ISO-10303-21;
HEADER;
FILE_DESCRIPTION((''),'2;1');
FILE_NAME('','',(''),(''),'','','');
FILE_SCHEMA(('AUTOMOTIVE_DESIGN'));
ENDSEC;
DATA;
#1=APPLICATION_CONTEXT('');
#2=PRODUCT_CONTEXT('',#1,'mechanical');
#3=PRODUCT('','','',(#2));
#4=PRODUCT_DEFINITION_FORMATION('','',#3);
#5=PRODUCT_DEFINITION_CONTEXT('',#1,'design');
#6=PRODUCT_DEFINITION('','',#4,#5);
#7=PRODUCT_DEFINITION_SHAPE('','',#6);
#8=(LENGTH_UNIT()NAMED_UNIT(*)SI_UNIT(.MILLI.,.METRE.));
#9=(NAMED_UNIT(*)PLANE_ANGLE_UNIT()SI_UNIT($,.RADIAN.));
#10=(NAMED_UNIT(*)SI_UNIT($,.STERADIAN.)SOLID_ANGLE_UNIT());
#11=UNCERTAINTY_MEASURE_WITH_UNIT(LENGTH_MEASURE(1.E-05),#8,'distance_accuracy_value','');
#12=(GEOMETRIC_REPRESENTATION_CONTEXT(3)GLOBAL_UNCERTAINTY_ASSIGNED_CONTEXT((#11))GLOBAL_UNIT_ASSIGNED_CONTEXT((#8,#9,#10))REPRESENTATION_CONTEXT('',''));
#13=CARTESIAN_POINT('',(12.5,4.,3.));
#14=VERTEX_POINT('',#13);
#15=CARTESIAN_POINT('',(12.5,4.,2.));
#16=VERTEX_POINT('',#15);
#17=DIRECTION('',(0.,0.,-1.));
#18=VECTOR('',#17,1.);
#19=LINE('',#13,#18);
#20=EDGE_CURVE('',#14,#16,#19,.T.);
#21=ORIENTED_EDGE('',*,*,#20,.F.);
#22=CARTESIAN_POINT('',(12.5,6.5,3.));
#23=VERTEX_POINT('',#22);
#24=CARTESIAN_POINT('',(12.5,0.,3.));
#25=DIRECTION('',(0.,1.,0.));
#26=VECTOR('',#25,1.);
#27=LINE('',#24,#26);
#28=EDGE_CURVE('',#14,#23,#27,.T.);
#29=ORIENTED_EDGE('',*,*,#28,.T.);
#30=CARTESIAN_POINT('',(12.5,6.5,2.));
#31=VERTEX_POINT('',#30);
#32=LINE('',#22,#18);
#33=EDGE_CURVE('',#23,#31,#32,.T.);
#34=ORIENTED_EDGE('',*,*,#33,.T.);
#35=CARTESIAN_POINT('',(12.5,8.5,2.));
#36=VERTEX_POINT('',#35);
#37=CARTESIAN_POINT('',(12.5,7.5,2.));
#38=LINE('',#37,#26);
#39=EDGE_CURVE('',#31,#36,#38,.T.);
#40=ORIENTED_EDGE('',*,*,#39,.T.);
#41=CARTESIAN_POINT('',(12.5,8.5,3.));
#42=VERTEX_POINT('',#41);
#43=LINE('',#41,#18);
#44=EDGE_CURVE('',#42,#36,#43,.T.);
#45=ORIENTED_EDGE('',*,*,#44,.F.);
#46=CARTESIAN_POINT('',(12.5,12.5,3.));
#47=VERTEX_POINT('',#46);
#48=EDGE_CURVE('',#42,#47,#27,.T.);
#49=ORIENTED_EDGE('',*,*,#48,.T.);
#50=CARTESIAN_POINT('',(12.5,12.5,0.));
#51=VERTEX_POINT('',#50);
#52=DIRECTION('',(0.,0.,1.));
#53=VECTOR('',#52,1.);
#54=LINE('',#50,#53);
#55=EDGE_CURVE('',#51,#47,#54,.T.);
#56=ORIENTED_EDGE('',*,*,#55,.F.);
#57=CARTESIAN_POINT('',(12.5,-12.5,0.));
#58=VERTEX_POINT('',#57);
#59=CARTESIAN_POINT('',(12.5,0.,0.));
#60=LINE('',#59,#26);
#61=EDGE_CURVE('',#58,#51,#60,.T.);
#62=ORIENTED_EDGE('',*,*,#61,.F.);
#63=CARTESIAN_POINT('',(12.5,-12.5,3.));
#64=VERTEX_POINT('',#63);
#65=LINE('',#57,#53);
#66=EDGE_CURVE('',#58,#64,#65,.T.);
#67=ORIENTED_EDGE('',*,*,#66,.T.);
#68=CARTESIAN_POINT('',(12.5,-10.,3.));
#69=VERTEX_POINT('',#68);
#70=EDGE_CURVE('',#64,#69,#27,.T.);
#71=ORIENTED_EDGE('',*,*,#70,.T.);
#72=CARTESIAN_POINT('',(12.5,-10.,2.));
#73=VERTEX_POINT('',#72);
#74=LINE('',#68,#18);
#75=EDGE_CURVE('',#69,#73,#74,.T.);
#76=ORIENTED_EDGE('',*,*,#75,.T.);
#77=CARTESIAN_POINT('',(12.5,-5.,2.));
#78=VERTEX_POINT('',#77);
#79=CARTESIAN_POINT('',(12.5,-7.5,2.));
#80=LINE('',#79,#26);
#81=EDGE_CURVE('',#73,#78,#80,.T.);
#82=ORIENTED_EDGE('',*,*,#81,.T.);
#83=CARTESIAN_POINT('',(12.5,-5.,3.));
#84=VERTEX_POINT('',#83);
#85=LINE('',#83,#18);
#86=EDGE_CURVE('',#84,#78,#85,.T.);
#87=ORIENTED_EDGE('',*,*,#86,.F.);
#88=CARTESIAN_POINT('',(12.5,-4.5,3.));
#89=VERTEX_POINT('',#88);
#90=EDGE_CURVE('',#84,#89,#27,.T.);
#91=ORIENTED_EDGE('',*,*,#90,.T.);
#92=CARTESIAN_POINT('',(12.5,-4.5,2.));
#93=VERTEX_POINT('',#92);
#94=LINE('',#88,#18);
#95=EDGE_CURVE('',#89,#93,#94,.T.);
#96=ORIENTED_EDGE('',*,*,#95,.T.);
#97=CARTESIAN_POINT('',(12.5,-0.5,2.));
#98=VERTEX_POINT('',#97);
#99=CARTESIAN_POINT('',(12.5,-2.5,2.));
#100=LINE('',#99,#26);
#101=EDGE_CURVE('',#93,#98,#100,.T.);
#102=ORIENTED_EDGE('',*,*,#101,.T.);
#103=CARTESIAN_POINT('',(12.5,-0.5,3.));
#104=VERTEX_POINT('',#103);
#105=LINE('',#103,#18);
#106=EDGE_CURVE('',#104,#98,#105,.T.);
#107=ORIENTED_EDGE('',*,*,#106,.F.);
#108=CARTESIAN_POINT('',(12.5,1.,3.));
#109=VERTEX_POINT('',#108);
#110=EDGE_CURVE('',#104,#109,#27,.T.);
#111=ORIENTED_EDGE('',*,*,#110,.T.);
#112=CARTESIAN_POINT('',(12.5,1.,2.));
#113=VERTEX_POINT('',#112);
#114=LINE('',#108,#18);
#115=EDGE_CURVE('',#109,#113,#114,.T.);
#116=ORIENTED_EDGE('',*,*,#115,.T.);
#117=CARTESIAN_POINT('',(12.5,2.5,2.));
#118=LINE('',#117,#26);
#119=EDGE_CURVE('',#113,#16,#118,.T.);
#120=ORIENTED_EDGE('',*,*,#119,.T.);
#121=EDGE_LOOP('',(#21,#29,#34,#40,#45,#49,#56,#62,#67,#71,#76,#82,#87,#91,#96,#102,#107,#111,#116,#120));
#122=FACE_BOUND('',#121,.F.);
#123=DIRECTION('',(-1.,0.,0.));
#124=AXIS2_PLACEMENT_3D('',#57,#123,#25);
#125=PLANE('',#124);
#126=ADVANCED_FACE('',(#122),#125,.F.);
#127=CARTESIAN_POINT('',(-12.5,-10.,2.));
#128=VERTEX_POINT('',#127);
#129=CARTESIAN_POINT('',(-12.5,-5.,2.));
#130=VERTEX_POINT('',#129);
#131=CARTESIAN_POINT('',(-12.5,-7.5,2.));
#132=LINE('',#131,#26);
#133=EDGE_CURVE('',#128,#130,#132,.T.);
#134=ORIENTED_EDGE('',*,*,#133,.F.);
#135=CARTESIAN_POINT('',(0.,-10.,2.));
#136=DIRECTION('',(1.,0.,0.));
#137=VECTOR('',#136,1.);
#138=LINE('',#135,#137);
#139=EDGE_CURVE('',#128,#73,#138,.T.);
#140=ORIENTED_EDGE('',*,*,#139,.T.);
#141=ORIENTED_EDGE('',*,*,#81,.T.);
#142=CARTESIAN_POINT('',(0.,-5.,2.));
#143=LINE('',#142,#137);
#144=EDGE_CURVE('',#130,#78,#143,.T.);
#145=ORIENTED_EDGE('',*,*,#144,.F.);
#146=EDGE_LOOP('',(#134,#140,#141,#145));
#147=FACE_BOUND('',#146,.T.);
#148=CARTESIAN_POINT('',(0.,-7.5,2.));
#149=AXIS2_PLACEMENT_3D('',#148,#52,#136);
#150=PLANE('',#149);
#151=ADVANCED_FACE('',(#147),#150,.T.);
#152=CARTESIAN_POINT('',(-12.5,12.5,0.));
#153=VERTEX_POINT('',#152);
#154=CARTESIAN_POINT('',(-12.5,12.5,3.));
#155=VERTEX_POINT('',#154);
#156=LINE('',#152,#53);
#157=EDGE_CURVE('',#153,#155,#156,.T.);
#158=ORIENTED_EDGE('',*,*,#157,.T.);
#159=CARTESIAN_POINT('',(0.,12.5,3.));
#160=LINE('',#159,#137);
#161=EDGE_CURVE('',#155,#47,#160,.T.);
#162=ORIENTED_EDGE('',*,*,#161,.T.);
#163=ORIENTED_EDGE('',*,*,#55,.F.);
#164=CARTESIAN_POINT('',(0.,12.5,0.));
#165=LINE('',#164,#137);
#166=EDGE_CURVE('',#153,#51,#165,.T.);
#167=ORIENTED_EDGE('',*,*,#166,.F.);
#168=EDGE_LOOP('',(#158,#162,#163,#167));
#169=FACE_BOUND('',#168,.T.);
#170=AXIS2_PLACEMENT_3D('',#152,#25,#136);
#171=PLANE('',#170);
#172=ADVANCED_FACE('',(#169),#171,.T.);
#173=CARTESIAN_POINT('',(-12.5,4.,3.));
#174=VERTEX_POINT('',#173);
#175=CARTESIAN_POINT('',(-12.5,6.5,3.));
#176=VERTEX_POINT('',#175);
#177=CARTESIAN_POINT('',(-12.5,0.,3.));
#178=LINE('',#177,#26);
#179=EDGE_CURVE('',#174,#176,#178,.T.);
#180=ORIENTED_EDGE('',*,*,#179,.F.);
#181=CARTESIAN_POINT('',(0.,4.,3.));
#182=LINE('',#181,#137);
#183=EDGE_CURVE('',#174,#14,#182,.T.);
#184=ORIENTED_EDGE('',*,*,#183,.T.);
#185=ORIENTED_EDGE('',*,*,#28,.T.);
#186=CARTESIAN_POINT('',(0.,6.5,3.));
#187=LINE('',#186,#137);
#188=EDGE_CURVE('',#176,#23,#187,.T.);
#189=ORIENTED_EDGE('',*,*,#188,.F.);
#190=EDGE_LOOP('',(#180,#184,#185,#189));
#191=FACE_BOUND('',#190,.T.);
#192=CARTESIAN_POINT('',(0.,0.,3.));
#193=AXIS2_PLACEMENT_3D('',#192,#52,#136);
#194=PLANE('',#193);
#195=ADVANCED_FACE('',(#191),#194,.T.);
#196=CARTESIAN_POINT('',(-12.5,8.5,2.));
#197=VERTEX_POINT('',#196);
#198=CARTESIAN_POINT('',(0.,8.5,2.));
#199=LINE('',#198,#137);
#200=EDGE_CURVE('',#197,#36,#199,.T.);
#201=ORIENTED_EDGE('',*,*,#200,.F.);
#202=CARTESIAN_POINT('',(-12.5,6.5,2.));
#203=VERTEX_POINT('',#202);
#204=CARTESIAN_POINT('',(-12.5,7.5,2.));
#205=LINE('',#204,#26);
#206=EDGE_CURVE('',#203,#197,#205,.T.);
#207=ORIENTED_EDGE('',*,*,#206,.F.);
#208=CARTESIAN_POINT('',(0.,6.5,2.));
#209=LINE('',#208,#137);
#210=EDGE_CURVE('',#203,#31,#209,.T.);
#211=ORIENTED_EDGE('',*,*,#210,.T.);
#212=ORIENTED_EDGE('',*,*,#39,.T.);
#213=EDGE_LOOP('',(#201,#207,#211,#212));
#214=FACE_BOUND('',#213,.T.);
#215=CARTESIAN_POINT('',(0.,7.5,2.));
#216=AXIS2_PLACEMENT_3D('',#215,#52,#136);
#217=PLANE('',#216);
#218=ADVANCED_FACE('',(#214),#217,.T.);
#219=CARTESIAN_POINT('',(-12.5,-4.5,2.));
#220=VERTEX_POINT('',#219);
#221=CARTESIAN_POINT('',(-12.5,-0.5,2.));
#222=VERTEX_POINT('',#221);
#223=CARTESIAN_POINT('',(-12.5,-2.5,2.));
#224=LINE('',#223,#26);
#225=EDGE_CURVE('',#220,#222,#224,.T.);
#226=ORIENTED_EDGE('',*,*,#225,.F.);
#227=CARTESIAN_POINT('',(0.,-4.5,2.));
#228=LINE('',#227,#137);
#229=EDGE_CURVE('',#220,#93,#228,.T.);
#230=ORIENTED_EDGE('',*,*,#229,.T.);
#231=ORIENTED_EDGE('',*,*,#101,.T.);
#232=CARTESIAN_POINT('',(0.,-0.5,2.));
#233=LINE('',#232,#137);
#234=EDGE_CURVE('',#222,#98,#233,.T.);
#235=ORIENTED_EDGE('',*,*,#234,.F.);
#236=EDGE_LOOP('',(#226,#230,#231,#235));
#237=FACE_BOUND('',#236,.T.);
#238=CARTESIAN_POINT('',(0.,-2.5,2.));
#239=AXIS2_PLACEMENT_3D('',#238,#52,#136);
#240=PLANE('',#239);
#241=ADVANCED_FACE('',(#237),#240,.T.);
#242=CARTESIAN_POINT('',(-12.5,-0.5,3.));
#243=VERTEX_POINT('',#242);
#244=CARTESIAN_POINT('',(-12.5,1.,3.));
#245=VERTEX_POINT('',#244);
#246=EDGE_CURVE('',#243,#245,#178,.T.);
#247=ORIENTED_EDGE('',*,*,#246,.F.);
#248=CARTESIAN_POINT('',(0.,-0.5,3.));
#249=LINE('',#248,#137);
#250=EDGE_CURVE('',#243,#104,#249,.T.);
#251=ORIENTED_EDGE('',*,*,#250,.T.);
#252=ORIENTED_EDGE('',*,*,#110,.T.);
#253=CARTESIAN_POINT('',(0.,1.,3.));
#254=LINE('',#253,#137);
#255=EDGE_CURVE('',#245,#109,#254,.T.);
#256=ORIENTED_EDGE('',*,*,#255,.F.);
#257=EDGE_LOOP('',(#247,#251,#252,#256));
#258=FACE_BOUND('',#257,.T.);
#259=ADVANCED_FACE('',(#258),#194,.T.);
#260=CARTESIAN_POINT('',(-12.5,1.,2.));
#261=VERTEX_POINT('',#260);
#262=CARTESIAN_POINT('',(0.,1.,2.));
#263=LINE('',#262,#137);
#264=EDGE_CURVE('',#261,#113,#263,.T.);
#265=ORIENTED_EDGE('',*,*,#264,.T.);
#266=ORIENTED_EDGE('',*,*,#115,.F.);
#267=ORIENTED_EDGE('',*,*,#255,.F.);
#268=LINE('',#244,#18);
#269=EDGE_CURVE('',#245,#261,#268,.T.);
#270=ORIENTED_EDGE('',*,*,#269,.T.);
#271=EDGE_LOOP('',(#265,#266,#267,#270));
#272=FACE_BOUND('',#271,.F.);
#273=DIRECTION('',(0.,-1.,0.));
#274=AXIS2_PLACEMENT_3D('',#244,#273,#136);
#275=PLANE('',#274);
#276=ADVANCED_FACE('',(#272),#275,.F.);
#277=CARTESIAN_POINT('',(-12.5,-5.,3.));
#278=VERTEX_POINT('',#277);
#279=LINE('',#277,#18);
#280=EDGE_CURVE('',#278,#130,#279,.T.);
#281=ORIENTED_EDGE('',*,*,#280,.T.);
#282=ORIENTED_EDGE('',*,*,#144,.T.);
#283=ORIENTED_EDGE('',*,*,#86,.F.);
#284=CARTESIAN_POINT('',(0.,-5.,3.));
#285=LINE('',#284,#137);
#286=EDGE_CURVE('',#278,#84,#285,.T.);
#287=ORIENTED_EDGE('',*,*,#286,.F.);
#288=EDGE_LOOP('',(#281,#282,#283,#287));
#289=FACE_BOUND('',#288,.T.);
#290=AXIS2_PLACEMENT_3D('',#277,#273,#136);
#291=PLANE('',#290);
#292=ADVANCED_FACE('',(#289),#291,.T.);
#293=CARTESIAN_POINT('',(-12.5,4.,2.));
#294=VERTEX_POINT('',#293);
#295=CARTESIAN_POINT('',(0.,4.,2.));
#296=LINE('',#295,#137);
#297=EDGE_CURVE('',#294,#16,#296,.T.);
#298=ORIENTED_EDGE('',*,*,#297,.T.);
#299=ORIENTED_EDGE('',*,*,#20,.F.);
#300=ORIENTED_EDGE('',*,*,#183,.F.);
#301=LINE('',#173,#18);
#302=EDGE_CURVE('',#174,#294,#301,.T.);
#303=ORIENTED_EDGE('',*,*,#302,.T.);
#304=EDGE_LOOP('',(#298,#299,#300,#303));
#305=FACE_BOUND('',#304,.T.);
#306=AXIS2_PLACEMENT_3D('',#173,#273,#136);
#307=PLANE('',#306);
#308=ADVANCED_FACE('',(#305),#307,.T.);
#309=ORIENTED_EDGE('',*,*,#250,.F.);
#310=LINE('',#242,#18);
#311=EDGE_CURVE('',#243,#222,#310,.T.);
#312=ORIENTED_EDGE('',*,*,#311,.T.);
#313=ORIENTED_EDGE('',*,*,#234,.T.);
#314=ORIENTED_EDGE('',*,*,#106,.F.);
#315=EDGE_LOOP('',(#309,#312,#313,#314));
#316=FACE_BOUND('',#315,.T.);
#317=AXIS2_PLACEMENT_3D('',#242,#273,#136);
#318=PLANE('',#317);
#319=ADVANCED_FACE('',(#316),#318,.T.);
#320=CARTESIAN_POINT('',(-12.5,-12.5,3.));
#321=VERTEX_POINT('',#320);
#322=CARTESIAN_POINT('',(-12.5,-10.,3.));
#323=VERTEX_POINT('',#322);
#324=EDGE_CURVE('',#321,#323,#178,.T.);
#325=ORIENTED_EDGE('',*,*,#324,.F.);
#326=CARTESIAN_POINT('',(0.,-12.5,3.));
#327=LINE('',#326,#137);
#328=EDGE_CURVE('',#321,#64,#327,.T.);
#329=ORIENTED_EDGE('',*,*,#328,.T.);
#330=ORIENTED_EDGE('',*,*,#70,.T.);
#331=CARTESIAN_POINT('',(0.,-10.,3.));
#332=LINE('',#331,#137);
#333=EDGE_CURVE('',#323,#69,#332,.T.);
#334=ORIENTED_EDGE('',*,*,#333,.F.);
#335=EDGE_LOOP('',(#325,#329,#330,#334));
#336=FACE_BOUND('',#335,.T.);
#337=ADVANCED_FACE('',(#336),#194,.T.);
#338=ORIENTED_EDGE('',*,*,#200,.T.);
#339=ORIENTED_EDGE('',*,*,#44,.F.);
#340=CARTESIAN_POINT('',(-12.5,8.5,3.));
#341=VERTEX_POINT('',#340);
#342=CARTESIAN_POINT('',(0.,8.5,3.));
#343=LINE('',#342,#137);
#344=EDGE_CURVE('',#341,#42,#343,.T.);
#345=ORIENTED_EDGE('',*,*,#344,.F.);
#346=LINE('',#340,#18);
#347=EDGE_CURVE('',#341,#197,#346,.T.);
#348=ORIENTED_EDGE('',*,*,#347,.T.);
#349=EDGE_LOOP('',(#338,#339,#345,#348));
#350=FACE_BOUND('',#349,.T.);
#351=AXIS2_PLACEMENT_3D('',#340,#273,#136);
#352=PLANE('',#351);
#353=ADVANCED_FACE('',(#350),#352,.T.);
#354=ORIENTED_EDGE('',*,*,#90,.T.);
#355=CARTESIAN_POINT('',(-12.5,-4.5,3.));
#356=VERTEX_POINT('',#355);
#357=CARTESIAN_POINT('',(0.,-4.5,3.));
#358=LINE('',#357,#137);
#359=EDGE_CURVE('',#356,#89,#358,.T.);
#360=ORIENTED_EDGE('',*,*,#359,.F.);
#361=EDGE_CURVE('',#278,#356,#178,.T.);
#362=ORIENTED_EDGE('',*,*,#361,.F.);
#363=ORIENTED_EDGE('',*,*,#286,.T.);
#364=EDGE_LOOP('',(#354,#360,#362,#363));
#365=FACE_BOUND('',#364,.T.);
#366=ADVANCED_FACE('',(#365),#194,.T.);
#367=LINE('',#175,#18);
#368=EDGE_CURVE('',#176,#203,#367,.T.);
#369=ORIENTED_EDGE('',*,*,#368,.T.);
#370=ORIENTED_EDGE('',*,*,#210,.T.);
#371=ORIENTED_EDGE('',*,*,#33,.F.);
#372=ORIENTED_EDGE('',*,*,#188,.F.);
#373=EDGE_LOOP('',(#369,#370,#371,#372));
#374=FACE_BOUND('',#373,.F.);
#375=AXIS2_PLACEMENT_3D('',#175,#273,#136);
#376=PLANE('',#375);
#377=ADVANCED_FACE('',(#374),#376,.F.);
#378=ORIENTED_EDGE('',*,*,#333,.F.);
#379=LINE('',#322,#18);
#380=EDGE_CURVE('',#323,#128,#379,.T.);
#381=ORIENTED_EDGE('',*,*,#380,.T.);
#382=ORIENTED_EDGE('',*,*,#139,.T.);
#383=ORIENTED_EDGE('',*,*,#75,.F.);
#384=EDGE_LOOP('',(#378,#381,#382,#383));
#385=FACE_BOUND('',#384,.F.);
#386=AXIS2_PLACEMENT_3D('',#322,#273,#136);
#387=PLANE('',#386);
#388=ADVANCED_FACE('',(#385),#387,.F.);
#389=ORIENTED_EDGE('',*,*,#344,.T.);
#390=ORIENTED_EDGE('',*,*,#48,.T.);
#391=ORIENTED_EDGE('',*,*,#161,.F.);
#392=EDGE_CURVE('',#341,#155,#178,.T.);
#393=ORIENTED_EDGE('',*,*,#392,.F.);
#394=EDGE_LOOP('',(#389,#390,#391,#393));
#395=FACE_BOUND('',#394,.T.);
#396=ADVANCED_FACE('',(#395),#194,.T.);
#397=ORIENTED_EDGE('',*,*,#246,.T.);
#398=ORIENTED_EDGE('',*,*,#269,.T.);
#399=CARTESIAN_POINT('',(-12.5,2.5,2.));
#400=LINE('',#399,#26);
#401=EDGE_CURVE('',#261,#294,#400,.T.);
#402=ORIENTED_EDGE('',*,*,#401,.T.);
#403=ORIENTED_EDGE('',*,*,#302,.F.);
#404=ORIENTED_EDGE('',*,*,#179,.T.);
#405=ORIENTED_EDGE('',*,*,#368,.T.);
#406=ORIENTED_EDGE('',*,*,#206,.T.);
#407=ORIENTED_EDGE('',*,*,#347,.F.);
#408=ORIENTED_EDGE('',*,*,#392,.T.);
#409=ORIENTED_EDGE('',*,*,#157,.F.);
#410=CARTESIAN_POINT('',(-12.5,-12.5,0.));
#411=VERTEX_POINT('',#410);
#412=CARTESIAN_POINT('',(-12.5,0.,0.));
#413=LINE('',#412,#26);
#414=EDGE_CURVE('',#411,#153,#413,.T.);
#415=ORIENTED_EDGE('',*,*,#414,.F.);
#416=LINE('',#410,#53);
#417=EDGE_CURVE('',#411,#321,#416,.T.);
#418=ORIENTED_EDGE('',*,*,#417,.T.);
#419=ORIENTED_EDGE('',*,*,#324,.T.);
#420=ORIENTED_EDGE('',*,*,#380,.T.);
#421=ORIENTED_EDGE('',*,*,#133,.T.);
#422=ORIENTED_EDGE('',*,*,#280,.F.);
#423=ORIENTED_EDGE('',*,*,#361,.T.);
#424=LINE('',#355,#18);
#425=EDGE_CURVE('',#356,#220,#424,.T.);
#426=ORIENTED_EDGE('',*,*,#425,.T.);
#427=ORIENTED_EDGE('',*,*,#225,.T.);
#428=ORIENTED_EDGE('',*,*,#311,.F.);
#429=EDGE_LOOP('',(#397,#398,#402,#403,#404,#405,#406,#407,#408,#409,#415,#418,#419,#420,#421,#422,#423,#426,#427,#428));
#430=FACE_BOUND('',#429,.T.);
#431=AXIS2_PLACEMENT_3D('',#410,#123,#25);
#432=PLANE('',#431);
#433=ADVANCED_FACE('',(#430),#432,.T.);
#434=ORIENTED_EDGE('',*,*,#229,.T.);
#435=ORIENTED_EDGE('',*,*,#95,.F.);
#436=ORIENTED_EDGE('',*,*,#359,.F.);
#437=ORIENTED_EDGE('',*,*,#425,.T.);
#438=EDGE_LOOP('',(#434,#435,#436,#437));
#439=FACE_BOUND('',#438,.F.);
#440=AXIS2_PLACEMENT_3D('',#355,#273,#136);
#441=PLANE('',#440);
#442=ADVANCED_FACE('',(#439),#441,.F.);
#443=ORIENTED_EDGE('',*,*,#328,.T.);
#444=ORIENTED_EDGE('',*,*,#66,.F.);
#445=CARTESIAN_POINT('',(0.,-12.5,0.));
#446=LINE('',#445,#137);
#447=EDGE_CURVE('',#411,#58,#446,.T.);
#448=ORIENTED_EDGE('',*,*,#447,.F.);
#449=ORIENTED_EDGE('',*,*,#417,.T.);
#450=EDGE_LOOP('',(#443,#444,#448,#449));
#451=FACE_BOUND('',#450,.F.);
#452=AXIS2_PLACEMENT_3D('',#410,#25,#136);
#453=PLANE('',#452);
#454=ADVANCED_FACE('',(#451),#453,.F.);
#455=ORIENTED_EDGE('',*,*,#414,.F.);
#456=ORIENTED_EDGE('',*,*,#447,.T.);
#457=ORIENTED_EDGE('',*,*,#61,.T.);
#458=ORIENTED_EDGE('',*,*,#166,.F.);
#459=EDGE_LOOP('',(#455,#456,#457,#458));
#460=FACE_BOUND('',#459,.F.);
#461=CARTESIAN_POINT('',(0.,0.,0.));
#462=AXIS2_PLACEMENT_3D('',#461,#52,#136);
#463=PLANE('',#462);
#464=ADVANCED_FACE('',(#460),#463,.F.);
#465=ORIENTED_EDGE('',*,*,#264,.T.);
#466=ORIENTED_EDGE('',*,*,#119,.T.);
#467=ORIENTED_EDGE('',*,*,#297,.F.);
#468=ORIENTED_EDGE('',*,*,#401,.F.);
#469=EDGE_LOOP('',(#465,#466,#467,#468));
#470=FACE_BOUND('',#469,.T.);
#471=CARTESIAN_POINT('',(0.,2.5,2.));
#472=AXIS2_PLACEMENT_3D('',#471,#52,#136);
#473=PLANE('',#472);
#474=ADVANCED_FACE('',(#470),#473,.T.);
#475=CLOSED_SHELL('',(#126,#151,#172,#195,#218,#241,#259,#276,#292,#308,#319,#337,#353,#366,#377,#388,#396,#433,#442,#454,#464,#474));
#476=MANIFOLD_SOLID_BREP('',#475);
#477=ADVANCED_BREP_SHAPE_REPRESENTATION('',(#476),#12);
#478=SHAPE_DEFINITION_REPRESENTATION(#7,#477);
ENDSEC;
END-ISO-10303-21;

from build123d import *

# Parameters (mm, degrees)
F0_W     = 25
F0_H     = 25
F1_DEPTH = 3
F2_W     = 25
F2_H     = 2
F3_DEPTH = 1
F2_H_2   = 3
F2_H_3   = 4
F2_H_4   = 5


with BuildPart() as f1:
    # F0 (on Top) → F1 (new body)
    with BuildSketch(Plane.XY):
        Rectangle(F0_W, F0_H)
    extrude(amount=F1_DEPTH)


with BuildPart() as f3:
    # F2 (on face) → F3 (new body)
    with BuildSketch(Plane.XY.offset(3)):
        with Locations((0, 7.5)):
            Rectangle(F2_W, F2_H)
    extrude(amount=-F3_DEPTH)


with BuildPart() as f3b:
    # F2 (on face) → F3, piece 2 (new body)
    with BuildSketch(Plane.XY.offset(3)):
        with Locations((0, 2.5)):
            Rectangle(F2_W, F2_H_2)
    extrude(amount=-F3_DEPTH)


with BuildPart() as f3c:
    # F2 (on face) → F3, piece 3 (new body)
    with BuildSketch(Plane.XY.offset(3)):
        with Locations((0, -2.5)):
            Rectangle(F2_W, F2_H_3)
    extrude(amount=-F3_DEPTH)


with BuildPart() as f3d:
    # F2 (on face) → F3, piece 4 (new body)
    with BuildSketch(Plane.XY.offset(3)):
        with Locations((0, -7.5)):
            Rectangle(F2_W, F2_H_4)
    extrude(amount=-F3_DEPTH)


with BuildPart() as f1_1:
    add(f1.part)

    # F4: cut F3, F3b, F3c, F3d
    add(f3.part, mode=Mode.SUBTRACT)
    add(f3b.part, mode=Mode.SUBTRACT)
    add(f3c.part, mode=Mode.SUBTRACT)
    add(f3d.part, mode=Mode.SUBTRACT)


solid = f1_1.part
